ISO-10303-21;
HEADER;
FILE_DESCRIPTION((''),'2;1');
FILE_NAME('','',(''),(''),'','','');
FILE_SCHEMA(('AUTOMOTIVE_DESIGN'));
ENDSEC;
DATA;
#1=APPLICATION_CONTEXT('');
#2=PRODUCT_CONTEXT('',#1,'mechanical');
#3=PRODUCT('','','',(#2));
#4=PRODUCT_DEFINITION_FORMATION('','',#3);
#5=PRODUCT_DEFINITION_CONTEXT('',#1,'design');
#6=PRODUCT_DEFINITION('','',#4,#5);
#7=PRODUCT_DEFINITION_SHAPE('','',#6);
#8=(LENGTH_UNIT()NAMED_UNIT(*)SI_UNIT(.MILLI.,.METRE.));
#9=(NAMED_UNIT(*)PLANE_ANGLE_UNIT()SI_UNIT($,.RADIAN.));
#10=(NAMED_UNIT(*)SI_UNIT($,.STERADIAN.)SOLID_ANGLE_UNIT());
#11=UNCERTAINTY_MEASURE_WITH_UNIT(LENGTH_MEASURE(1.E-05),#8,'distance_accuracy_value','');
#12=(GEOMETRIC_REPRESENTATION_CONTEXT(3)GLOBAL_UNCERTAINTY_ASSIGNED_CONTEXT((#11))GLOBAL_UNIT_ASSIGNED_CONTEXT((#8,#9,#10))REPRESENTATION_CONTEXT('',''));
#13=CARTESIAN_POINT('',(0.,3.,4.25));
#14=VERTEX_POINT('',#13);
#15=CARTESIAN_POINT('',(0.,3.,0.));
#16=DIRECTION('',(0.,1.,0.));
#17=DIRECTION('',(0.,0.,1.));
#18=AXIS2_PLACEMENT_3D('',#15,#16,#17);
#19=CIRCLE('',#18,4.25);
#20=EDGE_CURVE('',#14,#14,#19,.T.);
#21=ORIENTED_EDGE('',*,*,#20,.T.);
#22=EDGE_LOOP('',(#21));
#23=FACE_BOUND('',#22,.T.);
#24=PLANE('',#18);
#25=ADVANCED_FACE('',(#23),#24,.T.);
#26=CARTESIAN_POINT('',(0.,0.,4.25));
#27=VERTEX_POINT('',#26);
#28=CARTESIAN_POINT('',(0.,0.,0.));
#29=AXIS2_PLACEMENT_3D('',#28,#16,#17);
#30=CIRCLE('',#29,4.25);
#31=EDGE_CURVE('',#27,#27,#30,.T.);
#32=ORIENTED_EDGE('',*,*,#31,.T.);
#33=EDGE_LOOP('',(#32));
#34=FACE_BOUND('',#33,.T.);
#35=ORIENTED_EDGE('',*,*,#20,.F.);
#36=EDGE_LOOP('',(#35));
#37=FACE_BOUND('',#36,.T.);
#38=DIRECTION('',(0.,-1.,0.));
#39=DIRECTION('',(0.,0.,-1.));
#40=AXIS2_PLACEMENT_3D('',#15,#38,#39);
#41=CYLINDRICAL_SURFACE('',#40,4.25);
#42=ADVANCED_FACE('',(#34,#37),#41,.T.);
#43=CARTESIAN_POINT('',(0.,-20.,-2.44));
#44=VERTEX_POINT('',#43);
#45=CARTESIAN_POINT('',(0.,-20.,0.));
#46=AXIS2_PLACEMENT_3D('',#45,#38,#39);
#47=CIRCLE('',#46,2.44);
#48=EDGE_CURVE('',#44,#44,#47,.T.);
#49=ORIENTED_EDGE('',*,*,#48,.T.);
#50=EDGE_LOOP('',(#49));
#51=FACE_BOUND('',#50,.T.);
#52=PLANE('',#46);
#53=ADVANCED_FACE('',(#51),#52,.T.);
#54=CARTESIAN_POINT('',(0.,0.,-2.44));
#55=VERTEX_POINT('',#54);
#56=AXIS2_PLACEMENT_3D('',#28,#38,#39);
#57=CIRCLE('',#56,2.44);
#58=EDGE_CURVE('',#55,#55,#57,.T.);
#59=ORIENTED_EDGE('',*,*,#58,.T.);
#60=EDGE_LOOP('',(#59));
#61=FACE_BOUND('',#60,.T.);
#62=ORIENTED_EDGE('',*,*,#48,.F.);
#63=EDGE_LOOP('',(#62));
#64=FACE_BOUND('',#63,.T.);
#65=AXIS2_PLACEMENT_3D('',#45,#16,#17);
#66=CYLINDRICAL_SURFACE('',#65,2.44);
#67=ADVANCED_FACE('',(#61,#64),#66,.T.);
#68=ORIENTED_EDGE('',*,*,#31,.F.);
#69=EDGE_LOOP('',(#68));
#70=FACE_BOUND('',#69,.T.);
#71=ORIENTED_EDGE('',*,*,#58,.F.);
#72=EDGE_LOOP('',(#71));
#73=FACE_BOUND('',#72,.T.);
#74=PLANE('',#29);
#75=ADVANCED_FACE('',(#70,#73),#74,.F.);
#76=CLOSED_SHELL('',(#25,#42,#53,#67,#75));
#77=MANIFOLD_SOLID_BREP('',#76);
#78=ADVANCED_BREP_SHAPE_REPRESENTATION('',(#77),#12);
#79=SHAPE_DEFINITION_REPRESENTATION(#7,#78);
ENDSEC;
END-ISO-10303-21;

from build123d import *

# Parameters (mm, degrees)
SKETCH1_R           = 4.25
BOSS_EXTRUDE1_DEPTH = 3
SKETCH2_R           = 2.44
BOSS_EXTRUDE2_DEPTH = 20


with BuildPart() as part:
    # Sketch1 → Boss-Extrude1 (new body)
    with BuildSketch(Plane(origin=(0, 0, 0), x_dir=(1, 0, 0), z_dir=(0, 1, 0))):
        Circle(SKETCH1_R)
    extrude(amount=BOSS_EXTRUDE1_DEPTH)

    # Sketch2 → Boss-Extrude2 (add)
    with BuildSketch(Plane.XZ):
        Circle(SKETCH2_R)
    extrude(amount=BOSS_EXTRUDE2_DEPTH)


solid = part.part
